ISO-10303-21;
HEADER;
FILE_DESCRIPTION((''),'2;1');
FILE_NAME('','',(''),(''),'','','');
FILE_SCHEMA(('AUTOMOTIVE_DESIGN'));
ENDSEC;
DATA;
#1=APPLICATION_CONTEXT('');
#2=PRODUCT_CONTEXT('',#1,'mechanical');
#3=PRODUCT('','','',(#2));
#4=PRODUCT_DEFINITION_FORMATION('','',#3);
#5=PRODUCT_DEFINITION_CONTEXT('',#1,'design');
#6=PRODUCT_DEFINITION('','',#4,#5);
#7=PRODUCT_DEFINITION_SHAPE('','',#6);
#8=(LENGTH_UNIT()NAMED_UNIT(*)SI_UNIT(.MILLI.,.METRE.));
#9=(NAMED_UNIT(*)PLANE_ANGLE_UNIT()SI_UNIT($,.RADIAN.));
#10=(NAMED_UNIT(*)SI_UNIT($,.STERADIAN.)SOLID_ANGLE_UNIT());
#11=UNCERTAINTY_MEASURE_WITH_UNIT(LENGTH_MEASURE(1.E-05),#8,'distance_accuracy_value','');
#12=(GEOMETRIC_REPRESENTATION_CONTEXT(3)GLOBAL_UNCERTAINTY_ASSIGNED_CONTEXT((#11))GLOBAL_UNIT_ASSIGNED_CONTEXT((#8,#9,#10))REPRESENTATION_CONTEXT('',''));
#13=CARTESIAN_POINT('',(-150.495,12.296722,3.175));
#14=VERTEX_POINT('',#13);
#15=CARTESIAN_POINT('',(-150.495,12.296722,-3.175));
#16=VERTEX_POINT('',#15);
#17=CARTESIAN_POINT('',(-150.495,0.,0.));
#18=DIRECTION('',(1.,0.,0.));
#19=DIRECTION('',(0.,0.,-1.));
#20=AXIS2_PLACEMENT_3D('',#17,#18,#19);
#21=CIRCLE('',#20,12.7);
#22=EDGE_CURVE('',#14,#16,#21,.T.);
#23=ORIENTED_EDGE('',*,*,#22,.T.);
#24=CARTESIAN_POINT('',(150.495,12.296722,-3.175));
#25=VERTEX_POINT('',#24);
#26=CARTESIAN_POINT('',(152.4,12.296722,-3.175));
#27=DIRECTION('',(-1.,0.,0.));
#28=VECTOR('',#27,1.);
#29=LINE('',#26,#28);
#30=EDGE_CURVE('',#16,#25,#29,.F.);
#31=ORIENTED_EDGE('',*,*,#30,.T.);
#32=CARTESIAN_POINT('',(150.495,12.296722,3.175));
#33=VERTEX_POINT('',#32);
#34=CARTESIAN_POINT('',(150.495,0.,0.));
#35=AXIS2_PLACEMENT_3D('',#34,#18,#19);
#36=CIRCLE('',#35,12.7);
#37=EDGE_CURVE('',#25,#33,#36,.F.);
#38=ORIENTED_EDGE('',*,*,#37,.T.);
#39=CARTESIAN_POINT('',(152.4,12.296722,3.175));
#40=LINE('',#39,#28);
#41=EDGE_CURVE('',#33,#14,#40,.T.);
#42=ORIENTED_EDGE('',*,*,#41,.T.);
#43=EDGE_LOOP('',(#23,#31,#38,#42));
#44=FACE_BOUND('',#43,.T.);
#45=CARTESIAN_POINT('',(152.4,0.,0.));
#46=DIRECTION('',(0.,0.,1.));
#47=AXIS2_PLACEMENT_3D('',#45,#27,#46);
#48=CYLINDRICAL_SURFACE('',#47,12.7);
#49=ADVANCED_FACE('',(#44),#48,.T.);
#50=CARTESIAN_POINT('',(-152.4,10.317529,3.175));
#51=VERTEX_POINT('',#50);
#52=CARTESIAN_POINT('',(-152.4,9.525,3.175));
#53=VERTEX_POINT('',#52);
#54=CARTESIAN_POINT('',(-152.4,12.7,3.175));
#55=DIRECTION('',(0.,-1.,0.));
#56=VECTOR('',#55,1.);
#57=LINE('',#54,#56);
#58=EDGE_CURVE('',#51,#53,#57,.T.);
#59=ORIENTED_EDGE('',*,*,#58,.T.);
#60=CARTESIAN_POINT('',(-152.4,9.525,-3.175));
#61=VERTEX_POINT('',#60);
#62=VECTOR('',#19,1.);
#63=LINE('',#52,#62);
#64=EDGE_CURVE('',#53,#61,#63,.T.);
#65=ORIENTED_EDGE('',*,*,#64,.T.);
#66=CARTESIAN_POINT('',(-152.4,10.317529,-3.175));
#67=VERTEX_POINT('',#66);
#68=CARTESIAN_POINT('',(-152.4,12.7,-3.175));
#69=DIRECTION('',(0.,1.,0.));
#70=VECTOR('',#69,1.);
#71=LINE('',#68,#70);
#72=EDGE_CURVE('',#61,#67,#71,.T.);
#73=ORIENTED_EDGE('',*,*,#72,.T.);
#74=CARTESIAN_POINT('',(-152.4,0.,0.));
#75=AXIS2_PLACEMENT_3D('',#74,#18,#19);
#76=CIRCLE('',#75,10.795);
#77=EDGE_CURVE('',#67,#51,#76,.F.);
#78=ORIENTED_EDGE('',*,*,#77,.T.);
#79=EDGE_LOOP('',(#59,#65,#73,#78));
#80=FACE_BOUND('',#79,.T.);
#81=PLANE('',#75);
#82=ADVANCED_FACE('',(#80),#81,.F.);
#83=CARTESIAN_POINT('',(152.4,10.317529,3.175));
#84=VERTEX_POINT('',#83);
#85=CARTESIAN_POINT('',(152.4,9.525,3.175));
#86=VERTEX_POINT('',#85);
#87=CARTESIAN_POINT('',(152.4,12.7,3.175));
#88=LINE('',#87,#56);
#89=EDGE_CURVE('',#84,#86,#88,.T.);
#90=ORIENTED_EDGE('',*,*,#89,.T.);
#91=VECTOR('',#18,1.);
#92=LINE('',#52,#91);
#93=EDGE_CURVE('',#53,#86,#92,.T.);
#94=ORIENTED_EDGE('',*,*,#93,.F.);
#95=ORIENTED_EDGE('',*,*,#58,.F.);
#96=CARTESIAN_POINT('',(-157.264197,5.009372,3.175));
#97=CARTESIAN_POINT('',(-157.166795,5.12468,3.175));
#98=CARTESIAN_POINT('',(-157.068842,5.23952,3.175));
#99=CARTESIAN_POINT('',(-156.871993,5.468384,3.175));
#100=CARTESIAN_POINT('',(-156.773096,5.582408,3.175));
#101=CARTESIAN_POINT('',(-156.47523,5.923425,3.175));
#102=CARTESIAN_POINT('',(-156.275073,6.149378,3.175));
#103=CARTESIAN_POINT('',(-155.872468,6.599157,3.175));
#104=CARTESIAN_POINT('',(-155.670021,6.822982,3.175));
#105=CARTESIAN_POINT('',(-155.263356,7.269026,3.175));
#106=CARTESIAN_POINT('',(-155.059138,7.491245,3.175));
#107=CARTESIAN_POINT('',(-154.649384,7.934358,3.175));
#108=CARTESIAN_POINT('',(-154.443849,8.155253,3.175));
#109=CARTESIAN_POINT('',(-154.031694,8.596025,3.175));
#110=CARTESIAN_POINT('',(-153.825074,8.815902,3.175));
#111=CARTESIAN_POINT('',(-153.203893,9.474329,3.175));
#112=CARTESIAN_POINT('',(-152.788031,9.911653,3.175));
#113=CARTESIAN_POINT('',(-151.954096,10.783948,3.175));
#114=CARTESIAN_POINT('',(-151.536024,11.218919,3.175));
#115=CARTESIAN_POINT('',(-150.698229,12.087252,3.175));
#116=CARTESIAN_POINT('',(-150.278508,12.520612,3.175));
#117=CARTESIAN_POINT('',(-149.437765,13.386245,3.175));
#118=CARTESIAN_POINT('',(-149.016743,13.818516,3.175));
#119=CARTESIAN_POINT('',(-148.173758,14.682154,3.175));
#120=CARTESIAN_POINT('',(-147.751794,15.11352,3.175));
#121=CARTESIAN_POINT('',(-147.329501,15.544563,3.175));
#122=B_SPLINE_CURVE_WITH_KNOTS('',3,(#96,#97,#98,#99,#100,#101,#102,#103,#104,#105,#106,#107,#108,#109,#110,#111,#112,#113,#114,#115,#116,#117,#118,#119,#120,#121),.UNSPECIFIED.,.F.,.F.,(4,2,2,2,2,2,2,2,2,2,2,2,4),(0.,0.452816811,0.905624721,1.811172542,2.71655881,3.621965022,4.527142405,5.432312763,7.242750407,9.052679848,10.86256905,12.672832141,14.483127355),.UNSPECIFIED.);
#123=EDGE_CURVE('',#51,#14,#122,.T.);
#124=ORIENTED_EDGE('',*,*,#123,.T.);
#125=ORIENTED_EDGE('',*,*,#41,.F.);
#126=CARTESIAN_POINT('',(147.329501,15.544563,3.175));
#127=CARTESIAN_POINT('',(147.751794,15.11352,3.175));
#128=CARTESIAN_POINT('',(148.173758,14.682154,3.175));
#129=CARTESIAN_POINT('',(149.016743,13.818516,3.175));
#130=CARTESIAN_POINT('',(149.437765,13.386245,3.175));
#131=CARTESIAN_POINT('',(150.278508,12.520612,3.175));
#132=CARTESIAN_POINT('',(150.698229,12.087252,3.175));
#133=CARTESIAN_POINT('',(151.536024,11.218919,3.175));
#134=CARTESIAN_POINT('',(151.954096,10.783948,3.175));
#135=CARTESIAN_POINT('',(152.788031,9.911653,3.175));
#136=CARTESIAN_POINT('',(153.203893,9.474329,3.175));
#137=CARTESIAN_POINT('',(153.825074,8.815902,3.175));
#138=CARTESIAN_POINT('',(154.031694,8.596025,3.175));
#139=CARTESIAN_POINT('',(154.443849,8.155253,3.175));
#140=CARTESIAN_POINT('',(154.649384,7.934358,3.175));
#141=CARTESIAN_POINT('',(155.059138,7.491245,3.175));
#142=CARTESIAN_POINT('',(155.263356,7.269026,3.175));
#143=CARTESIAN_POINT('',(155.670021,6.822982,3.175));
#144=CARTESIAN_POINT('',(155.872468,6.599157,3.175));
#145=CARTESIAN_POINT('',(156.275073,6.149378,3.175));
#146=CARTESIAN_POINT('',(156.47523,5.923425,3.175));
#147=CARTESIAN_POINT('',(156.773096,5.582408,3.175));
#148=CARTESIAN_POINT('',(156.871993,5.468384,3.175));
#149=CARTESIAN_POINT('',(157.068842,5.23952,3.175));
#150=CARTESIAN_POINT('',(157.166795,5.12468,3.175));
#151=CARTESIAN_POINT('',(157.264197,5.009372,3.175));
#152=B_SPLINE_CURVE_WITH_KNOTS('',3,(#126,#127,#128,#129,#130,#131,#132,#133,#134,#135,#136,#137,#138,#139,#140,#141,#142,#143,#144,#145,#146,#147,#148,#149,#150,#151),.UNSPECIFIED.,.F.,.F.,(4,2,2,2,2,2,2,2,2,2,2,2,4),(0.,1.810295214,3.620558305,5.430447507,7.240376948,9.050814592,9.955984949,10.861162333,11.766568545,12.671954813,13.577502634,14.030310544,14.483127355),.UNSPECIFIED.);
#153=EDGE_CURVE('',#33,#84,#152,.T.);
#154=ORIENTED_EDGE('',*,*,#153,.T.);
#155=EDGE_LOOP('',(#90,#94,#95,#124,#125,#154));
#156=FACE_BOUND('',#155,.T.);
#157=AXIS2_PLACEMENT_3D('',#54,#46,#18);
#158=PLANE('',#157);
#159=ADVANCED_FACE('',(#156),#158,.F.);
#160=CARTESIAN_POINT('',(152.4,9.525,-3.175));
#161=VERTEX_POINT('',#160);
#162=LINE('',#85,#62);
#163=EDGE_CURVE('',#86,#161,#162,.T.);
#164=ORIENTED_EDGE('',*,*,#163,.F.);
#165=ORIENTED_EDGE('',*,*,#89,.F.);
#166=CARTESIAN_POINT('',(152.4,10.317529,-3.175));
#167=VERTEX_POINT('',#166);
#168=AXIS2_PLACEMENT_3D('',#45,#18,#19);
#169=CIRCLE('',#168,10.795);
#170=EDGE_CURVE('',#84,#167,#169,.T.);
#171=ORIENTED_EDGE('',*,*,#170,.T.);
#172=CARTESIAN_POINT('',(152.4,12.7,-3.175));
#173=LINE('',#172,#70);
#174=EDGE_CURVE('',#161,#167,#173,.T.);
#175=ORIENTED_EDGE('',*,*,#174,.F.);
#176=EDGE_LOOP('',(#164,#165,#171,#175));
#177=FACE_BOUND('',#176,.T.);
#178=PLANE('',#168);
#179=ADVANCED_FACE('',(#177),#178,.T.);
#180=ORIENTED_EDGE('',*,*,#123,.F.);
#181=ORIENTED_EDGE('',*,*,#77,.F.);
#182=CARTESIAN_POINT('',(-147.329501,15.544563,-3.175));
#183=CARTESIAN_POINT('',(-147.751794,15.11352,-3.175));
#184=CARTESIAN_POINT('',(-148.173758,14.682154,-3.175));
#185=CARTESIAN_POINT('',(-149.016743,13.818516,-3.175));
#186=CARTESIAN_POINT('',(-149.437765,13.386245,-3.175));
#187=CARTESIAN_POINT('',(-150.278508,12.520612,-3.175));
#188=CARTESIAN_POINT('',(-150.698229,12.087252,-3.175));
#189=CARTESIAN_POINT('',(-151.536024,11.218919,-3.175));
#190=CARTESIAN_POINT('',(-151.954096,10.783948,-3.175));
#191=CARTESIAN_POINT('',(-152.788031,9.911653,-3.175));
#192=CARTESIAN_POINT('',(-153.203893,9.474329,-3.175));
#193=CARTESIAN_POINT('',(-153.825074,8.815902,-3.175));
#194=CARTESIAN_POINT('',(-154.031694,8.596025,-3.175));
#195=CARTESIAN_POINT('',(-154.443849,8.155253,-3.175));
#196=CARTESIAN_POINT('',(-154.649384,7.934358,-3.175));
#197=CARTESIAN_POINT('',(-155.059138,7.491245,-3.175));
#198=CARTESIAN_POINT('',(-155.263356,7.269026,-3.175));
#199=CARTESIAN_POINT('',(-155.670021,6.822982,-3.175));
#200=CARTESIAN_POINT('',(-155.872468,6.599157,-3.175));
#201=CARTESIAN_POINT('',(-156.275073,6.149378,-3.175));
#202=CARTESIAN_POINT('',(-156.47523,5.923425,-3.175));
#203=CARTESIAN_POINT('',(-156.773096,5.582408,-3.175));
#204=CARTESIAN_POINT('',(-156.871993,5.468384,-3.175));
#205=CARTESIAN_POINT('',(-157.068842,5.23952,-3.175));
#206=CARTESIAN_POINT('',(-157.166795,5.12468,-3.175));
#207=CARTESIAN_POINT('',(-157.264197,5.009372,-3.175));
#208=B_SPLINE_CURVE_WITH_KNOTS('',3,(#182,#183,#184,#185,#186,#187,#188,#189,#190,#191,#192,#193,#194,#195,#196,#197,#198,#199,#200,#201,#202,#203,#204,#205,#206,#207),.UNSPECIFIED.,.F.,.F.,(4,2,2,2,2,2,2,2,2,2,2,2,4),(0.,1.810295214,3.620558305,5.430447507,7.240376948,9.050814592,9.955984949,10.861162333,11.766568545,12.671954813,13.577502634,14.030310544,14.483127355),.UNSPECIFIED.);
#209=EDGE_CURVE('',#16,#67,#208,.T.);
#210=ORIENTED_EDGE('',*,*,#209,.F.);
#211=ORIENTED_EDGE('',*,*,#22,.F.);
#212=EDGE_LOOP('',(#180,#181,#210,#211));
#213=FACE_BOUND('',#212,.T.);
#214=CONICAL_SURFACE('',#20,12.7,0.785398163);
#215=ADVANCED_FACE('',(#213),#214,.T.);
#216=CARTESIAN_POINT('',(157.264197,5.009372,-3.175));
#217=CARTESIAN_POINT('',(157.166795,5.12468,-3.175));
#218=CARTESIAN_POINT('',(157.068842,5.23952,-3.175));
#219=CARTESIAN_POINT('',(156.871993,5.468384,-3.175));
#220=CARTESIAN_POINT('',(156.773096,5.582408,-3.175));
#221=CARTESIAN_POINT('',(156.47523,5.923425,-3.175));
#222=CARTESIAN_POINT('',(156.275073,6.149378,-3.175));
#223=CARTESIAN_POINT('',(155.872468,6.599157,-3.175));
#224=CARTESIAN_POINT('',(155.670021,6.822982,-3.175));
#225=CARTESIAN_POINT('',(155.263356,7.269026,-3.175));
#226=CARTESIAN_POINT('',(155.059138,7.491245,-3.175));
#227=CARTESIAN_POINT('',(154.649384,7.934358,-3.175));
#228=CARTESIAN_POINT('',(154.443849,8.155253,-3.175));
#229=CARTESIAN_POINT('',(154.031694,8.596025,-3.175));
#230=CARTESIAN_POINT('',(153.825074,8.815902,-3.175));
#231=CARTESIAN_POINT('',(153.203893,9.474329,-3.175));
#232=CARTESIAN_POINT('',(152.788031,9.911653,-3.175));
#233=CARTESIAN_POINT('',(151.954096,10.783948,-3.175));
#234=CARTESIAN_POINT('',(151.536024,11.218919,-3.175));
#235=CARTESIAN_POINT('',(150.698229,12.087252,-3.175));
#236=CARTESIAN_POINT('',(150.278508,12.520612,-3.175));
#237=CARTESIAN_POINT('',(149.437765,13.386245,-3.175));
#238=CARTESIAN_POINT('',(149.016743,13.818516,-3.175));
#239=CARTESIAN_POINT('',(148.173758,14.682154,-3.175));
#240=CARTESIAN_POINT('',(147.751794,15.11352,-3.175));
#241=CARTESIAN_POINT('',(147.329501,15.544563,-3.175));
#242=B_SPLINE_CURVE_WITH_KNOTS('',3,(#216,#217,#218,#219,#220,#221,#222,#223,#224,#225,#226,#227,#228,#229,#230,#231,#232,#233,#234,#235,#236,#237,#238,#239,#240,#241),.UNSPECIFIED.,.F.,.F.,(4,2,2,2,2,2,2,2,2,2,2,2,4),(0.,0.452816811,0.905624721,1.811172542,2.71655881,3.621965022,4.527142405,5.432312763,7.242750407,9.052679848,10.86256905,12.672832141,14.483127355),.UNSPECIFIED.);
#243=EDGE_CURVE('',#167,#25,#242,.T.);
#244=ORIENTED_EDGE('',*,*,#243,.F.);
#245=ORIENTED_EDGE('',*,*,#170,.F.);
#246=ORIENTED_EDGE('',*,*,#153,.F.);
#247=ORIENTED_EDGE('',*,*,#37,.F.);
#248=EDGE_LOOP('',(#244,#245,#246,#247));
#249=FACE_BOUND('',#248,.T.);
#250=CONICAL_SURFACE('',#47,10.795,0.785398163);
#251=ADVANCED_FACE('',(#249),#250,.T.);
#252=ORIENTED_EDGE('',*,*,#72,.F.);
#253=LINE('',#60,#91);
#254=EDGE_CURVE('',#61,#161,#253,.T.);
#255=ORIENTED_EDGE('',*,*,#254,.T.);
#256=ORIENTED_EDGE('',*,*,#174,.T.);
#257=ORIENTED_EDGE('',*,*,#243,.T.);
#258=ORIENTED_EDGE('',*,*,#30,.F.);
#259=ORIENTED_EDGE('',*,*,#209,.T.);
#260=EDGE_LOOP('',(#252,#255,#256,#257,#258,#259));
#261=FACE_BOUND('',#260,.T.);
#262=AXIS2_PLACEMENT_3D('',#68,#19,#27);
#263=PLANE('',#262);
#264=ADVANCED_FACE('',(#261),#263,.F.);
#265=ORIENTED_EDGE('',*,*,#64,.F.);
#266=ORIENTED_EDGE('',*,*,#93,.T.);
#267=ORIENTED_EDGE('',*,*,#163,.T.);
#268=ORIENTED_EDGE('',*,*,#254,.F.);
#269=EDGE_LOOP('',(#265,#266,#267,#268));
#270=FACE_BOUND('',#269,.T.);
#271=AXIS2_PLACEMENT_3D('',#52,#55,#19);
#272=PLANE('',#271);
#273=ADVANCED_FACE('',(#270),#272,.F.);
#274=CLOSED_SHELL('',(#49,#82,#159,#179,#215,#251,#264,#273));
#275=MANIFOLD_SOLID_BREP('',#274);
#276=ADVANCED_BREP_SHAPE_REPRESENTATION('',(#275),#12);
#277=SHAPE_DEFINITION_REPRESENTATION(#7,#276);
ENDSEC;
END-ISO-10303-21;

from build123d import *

# Parameters (mm, degrees)
SKETCH1_R           = 12.7
EXTRUDE1_DEPTH      = 152.4
CHAMFER1_SIZE       = 1.905
SKETCH3_W           = 6.35
SKETCH3_H           = 3.175
EXTRUDE2_DEPTH      = 153.4
EXTRUDE2_DEPTH_BACK = 153.4


with BuildPart() as part:
    # Sketch1 → Extrude1 (new body, symmetric)
    with BuildSketch(Plane(origin=(0, 0, 0), x_dir=(0, 0, -1), z_dir=(1, 0, 0))):
        Circle(SKETCH1_R)
    extrude(amount=EXTRUDE1_DEPTH, both=True)

    # Chamfer1
    chamfer1_edges = [part.edges().sort_by_distance(p)[0] for p in [
        (-152.4, 0, 12.7),
        (152.4, 0, 12.7),
    ]]
    chamfer(chamfer1_edges, length=CHAMFER1_SIZE)

    # Sketch3 → Extrude2 (cut, two sides)
    with BuildSketch(Plane(origin=(0, 0, 0), x_dir=(0, 0, -1), z_dir=(1, 0, 0))) as extrude2_sk:
        with Locations((0, 11.1125)):
            Rectangle(SKETCH3_W, SKETCH3_H)
    extrude(amount=EXTRUDE2_DEPTH, mode=Mode.SUBTRACT)
    extrude(extrude2_sk.sketch, amount=-EXTRUDE2_DEPTH_BACK, mode=Mode.SUBTRACT)


solid = part.part
